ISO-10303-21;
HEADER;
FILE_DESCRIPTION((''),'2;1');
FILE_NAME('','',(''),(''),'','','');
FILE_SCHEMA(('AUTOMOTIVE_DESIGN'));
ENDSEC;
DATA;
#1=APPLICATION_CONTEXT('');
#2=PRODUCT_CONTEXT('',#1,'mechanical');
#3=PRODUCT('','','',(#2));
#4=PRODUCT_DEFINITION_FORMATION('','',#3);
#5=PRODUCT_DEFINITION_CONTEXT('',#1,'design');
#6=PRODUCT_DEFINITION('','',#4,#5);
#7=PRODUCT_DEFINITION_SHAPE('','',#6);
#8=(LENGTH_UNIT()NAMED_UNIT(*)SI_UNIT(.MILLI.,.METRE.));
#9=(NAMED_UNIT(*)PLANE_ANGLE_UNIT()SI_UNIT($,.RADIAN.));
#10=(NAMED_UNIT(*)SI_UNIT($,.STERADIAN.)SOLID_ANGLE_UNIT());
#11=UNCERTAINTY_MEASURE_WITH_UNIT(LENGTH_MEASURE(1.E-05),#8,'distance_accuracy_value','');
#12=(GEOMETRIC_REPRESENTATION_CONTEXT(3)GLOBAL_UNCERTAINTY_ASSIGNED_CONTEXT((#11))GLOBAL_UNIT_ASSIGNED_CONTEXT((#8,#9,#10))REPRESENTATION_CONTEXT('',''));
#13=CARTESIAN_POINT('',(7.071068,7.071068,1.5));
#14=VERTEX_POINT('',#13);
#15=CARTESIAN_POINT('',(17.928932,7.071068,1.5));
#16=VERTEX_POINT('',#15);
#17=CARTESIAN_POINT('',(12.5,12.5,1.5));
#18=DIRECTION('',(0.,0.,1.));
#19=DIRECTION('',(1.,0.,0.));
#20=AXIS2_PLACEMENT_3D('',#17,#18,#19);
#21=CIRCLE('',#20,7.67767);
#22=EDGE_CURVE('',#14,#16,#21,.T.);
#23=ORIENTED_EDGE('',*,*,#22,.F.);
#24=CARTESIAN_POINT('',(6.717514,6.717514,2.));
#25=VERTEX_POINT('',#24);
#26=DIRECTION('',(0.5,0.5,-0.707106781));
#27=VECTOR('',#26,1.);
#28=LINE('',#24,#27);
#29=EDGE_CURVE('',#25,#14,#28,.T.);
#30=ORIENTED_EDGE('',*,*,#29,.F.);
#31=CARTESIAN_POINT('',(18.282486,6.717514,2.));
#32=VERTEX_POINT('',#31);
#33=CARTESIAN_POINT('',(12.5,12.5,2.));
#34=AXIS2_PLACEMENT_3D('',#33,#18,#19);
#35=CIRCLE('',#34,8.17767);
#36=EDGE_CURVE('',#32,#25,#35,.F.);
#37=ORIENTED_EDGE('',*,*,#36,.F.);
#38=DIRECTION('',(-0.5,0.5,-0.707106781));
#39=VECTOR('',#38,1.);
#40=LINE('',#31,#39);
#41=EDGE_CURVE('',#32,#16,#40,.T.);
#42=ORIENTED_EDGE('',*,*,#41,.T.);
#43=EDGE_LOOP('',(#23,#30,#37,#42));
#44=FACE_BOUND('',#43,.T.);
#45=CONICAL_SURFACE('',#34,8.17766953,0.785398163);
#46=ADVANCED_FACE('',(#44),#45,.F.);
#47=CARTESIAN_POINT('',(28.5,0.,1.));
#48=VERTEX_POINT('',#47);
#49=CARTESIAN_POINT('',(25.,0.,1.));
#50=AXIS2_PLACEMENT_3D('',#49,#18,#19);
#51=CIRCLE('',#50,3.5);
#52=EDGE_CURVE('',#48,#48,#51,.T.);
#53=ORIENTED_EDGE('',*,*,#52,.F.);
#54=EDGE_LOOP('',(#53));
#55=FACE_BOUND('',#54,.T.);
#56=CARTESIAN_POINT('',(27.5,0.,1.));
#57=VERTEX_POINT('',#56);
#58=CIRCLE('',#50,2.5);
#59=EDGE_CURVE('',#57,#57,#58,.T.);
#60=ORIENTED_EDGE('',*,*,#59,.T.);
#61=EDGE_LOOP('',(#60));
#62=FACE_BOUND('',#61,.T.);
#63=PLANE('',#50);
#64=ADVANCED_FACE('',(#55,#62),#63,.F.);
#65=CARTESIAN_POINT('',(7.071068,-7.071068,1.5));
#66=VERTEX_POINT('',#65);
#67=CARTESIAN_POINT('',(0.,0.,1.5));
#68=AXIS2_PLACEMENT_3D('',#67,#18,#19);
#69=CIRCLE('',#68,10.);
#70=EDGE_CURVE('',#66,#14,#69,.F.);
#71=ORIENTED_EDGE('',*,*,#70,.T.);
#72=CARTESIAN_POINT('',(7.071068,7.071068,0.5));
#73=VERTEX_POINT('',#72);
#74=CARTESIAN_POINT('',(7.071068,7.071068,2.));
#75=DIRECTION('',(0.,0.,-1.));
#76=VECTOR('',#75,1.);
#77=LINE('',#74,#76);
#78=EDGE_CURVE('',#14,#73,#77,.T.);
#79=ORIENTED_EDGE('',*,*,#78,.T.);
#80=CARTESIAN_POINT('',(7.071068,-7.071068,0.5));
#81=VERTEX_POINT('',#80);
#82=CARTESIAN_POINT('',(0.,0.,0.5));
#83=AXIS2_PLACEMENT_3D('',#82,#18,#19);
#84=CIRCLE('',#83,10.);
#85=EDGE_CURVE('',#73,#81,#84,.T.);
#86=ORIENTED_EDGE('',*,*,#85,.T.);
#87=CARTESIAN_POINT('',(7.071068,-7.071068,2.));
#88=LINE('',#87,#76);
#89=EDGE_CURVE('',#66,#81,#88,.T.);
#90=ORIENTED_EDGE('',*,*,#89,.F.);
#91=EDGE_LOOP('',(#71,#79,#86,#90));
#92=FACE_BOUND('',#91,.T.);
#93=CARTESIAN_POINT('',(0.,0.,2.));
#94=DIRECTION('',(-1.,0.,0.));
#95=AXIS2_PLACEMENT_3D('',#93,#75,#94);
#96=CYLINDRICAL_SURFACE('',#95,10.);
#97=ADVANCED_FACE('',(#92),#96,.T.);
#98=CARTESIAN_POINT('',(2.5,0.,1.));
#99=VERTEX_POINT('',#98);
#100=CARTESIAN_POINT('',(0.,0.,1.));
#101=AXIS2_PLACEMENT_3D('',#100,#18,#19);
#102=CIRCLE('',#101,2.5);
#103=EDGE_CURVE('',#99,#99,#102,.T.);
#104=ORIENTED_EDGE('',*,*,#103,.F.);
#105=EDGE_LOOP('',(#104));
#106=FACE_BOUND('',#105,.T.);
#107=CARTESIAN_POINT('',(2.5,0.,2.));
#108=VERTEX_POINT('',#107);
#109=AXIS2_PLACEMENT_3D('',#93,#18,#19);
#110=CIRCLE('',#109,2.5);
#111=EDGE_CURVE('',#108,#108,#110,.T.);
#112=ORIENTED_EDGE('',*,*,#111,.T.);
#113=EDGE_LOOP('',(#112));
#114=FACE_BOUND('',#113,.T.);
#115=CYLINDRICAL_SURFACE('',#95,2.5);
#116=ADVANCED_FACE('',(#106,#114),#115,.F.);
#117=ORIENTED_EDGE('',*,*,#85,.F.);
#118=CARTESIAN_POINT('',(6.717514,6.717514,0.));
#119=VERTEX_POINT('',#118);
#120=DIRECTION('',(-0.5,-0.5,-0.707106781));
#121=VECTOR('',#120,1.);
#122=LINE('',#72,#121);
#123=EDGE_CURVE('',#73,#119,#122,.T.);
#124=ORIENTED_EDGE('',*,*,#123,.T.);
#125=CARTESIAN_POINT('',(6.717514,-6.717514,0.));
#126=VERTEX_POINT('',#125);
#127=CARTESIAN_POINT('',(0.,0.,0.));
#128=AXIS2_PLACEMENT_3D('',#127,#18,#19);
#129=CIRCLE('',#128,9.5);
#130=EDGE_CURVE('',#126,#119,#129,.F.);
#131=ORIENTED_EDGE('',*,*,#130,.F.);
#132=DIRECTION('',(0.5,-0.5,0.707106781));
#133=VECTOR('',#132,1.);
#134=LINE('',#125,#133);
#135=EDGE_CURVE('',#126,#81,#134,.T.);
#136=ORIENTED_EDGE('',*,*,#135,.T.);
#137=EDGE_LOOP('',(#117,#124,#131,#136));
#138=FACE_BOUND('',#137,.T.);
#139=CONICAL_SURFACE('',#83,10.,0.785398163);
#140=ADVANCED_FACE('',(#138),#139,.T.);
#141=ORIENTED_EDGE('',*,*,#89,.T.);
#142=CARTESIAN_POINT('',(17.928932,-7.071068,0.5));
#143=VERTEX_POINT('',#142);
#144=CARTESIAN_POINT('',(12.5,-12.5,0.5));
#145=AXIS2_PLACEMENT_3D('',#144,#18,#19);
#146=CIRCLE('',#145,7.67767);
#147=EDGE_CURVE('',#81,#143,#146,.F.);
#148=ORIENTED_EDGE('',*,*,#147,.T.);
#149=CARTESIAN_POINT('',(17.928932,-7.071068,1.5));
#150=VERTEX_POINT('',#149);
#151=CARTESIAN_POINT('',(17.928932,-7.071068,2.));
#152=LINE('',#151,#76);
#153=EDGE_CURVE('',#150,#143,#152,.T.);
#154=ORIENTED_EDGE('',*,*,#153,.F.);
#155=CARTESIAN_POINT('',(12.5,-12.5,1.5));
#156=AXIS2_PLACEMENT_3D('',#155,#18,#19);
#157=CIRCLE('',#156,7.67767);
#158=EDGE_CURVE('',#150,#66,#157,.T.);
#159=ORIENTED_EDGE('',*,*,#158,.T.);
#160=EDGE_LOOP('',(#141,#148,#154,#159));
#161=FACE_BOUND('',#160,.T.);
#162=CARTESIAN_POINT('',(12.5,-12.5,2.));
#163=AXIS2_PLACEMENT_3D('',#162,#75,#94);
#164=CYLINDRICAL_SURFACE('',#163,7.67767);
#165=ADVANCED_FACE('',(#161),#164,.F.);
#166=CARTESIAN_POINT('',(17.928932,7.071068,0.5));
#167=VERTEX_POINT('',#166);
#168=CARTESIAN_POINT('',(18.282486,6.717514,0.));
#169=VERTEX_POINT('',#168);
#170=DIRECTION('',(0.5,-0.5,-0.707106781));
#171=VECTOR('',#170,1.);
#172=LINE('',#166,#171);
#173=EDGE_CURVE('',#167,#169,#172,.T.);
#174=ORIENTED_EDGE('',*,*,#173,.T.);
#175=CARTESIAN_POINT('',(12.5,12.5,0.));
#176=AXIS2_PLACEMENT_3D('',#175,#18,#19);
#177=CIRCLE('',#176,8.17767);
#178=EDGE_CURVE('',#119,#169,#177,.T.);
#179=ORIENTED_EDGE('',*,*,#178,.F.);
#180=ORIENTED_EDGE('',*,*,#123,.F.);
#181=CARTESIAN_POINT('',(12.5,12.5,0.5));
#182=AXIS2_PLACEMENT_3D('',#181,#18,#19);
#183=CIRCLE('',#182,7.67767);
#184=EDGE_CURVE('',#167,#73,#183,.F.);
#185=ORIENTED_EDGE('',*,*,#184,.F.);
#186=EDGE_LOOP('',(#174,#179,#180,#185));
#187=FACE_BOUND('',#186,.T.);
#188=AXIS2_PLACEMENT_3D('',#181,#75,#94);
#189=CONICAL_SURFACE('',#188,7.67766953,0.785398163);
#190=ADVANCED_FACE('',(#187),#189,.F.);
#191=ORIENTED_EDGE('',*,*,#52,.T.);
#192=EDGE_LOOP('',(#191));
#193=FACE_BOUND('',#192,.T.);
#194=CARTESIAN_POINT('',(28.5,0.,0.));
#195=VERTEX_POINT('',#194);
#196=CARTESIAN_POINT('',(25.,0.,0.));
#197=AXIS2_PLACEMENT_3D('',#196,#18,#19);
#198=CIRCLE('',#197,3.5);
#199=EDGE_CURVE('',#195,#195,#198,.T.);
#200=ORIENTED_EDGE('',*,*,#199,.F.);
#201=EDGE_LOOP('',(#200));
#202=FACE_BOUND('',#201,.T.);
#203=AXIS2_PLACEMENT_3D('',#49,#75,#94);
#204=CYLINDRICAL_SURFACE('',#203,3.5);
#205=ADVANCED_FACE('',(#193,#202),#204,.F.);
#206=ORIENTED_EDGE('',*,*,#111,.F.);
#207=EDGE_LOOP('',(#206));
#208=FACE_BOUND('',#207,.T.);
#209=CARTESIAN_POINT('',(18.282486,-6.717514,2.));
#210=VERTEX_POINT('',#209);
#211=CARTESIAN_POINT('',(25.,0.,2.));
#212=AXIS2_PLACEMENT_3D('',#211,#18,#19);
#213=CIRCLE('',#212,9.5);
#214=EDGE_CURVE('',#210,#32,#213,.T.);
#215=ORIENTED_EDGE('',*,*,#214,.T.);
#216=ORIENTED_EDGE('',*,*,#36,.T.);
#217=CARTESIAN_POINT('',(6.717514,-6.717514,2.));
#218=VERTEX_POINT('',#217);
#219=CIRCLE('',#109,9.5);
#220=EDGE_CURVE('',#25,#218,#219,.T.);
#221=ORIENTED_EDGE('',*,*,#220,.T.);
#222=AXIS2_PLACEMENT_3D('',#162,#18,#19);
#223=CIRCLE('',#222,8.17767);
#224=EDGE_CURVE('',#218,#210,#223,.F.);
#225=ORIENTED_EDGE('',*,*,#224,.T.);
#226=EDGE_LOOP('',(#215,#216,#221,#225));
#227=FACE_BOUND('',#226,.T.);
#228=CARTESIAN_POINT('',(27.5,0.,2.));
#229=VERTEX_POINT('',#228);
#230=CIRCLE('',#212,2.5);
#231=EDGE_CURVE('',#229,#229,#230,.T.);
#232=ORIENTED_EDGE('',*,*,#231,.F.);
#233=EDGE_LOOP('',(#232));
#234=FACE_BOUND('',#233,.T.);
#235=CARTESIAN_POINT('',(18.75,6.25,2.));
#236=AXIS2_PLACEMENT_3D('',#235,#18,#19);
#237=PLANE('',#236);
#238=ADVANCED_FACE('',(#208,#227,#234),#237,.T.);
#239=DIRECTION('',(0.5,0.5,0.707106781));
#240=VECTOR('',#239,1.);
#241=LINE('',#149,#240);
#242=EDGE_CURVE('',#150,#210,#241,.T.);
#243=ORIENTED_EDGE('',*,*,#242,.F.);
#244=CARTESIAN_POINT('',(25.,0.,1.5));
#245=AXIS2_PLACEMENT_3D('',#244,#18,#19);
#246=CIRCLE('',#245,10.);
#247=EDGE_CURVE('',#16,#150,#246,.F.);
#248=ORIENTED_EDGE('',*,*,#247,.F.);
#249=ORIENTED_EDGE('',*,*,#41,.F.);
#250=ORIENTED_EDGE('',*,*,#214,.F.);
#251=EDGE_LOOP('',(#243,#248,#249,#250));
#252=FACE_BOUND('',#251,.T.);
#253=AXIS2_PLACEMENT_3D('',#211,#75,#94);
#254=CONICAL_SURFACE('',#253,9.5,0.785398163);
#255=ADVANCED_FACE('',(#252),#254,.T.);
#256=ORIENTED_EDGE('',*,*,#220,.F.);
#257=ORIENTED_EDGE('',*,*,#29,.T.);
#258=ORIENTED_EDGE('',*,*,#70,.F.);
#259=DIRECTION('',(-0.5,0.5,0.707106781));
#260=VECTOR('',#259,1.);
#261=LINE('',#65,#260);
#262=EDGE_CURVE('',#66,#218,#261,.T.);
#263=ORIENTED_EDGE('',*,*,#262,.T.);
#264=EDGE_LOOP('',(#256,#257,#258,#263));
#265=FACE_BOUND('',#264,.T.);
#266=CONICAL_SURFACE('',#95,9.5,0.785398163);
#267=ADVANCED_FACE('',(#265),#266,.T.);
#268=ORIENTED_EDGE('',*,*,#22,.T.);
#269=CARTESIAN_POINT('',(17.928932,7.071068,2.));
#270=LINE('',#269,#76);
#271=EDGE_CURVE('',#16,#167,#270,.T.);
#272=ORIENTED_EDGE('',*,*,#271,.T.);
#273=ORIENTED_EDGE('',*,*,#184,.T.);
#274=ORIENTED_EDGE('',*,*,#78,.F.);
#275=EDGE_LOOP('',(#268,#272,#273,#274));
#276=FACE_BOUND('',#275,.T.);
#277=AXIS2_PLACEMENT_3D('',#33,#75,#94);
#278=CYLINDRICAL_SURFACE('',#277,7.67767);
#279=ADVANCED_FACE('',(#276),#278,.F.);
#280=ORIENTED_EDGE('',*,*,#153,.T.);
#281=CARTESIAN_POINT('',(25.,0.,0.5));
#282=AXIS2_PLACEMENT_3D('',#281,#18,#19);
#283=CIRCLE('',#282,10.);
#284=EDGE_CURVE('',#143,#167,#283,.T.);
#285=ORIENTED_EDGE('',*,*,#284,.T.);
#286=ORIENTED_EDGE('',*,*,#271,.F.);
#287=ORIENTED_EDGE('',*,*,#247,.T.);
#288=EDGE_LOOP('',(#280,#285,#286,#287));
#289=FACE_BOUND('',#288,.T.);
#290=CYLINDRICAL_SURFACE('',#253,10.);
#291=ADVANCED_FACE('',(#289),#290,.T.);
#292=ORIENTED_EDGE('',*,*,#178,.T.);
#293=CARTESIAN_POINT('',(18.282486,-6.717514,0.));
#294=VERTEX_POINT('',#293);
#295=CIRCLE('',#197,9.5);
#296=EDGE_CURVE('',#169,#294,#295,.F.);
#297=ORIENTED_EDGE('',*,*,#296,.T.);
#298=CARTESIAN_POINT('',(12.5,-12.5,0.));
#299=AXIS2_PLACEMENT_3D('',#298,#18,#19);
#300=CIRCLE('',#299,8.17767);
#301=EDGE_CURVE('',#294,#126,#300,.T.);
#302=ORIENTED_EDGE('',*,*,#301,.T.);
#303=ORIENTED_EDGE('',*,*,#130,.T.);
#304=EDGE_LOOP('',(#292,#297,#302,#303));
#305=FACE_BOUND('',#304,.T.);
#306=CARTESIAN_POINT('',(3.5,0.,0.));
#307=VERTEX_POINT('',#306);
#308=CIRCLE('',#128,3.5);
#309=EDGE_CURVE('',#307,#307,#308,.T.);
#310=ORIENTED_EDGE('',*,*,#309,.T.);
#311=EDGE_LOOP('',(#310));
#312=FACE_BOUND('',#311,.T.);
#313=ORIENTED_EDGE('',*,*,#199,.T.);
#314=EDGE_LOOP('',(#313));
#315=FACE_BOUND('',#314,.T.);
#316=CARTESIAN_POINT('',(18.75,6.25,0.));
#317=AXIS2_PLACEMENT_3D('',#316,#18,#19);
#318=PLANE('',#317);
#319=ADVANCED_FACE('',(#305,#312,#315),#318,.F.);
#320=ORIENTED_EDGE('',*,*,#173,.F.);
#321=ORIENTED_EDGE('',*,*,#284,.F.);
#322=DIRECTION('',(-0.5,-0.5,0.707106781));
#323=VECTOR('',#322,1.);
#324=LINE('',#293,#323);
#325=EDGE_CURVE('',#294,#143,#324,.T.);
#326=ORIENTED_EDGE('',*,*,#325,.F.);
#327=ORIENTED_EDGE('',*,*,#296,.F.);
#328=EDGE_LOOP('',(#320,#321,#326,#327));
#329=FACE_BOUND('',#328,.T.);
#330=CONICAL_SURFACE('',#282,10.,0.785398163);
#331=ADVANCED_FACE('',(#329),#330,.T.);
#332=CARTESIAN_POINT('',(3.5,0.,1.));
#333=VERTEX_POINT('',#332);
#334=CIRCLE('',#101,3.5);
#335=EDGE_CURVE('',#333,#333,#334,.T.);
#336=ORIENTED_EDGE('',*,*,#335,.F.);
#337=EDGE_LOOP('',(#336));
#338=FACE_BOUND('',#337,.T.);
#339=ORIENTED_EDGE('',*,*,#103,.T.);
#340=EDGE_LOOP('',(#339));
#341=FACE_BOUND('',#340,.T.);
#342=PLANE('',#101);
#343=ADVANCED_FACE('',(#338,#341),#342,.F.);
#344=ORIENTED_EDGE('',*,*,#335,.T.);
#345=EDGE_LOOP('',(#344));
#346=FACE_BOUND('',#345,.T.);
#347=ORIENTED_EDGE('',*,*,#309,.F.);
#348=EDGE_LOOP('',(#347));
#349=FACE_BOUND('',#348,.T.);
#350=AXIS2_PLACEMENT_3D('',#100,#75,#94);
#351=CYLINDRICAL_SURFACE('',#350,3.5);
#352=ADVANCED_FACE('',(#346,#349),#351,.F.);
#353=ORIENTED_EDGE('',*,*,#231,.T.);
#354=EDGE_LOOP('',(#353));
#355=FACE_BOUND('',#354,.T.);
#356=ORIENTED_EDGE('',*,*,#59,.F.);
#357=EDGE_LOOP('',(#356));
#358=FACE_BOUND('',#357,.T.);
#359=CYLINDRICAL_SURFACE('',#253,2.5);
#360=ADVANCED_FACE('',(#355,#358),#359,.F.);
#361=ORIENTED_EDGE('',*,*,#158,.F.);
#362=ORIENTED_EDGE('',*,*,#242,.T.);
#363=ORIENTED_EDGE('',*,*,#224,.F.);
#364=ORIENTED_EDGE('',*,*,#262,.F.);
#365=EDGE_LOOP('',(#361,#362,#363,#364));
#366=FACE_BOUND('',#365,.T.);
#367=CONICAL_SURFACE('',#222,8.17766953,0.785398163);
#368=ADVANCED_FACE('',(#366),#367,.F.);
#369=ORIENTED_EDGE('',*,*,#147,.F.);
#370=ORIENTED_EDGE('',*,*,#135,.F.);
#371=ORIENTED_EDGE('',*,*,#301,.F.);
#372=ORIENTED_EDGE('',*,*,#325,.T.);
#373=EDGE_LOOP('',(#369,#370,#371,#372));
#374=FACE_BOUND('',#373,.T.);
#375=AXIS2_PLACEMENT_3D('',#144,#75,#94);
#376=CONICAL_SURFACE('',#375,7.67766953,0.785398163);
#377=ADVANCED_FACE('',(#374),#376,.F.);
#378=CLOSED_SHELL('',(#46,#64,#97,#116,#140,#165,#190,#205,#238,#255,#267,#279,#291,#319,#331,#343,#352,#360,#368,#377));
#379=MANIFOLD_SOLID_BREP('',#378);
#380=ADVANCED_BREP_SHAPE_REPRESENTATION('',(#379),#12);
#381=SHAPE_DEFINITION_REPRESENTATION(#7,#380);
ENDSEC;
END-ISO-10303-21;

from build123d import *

# Parameters (mm, degrees)
SKETCH1_R           = 2.5
BOSS_EXTRUDE1_DEPTH = 2
CHAMFER1_SIZE       = 0.5
SKETCH2_R           = 3.5
CUT_EXTRUDE1_DEPTH  = 1


with BuildPart() as part:
    # Sketch1 → Boss-Extrude1 (new body)
    with BuildSketch(Plane.XY):
        with BuildLine():
            ThreePointArc((17.928932188, -7.071067812), (35, 0), (17.928932188, 7.071067812))
            ThreePointArc((17.928932188, 7.071067812), (12.5, 4.82233047), (7.071067812, 7.071067812))
            ThreePointArc((7.071067812, 7.071067812), (-10, 0), (7.071067812, -7.071067812))
            ThreePointArc((7.071067812, -7.071067812), (12.5, -4.82233047), (17.928932188, -7.071067812))
        make_face()
        with Locations((25, 0)):
            Circle(SKETCH1_R, mode=Mode.SUBTRACT)
        Circle(SKETCH1_R, mode=Mode.SUBTRACT)
    extrude(amount=BOSS_EXTRUDE1_DEPTH)

    # Chamfer1
    chamfer1_edges = [part.edges().sort_by_distance(p)[0] for p in [
        (12.5, -4.82233047, 2),
        (35, 0, 2),
        (12.5, 4.82233047, 2),
        (35, 0, 0),
        (12.5, -4.82233047, 0),
        (-10, 0, 0),
        (12.5, 4.82233047, 0),
        (-10, 0, 2),
    ]]
    chamfer(chamfer1_edges, length=CHAMFER1_SIZE)

    # Sketch2 → Cut-Extrude1 (cut)
    with BuildSketch(Plane.XY):
        Circle(SKETCH2_R)
        with Locations((25, 0)):
            Circle(SKETCH2_R)
    extrude(amount=CUT_EXTRUDE1_DEPTH, mode=Mode.SUBTRACT)


solid = part.part
